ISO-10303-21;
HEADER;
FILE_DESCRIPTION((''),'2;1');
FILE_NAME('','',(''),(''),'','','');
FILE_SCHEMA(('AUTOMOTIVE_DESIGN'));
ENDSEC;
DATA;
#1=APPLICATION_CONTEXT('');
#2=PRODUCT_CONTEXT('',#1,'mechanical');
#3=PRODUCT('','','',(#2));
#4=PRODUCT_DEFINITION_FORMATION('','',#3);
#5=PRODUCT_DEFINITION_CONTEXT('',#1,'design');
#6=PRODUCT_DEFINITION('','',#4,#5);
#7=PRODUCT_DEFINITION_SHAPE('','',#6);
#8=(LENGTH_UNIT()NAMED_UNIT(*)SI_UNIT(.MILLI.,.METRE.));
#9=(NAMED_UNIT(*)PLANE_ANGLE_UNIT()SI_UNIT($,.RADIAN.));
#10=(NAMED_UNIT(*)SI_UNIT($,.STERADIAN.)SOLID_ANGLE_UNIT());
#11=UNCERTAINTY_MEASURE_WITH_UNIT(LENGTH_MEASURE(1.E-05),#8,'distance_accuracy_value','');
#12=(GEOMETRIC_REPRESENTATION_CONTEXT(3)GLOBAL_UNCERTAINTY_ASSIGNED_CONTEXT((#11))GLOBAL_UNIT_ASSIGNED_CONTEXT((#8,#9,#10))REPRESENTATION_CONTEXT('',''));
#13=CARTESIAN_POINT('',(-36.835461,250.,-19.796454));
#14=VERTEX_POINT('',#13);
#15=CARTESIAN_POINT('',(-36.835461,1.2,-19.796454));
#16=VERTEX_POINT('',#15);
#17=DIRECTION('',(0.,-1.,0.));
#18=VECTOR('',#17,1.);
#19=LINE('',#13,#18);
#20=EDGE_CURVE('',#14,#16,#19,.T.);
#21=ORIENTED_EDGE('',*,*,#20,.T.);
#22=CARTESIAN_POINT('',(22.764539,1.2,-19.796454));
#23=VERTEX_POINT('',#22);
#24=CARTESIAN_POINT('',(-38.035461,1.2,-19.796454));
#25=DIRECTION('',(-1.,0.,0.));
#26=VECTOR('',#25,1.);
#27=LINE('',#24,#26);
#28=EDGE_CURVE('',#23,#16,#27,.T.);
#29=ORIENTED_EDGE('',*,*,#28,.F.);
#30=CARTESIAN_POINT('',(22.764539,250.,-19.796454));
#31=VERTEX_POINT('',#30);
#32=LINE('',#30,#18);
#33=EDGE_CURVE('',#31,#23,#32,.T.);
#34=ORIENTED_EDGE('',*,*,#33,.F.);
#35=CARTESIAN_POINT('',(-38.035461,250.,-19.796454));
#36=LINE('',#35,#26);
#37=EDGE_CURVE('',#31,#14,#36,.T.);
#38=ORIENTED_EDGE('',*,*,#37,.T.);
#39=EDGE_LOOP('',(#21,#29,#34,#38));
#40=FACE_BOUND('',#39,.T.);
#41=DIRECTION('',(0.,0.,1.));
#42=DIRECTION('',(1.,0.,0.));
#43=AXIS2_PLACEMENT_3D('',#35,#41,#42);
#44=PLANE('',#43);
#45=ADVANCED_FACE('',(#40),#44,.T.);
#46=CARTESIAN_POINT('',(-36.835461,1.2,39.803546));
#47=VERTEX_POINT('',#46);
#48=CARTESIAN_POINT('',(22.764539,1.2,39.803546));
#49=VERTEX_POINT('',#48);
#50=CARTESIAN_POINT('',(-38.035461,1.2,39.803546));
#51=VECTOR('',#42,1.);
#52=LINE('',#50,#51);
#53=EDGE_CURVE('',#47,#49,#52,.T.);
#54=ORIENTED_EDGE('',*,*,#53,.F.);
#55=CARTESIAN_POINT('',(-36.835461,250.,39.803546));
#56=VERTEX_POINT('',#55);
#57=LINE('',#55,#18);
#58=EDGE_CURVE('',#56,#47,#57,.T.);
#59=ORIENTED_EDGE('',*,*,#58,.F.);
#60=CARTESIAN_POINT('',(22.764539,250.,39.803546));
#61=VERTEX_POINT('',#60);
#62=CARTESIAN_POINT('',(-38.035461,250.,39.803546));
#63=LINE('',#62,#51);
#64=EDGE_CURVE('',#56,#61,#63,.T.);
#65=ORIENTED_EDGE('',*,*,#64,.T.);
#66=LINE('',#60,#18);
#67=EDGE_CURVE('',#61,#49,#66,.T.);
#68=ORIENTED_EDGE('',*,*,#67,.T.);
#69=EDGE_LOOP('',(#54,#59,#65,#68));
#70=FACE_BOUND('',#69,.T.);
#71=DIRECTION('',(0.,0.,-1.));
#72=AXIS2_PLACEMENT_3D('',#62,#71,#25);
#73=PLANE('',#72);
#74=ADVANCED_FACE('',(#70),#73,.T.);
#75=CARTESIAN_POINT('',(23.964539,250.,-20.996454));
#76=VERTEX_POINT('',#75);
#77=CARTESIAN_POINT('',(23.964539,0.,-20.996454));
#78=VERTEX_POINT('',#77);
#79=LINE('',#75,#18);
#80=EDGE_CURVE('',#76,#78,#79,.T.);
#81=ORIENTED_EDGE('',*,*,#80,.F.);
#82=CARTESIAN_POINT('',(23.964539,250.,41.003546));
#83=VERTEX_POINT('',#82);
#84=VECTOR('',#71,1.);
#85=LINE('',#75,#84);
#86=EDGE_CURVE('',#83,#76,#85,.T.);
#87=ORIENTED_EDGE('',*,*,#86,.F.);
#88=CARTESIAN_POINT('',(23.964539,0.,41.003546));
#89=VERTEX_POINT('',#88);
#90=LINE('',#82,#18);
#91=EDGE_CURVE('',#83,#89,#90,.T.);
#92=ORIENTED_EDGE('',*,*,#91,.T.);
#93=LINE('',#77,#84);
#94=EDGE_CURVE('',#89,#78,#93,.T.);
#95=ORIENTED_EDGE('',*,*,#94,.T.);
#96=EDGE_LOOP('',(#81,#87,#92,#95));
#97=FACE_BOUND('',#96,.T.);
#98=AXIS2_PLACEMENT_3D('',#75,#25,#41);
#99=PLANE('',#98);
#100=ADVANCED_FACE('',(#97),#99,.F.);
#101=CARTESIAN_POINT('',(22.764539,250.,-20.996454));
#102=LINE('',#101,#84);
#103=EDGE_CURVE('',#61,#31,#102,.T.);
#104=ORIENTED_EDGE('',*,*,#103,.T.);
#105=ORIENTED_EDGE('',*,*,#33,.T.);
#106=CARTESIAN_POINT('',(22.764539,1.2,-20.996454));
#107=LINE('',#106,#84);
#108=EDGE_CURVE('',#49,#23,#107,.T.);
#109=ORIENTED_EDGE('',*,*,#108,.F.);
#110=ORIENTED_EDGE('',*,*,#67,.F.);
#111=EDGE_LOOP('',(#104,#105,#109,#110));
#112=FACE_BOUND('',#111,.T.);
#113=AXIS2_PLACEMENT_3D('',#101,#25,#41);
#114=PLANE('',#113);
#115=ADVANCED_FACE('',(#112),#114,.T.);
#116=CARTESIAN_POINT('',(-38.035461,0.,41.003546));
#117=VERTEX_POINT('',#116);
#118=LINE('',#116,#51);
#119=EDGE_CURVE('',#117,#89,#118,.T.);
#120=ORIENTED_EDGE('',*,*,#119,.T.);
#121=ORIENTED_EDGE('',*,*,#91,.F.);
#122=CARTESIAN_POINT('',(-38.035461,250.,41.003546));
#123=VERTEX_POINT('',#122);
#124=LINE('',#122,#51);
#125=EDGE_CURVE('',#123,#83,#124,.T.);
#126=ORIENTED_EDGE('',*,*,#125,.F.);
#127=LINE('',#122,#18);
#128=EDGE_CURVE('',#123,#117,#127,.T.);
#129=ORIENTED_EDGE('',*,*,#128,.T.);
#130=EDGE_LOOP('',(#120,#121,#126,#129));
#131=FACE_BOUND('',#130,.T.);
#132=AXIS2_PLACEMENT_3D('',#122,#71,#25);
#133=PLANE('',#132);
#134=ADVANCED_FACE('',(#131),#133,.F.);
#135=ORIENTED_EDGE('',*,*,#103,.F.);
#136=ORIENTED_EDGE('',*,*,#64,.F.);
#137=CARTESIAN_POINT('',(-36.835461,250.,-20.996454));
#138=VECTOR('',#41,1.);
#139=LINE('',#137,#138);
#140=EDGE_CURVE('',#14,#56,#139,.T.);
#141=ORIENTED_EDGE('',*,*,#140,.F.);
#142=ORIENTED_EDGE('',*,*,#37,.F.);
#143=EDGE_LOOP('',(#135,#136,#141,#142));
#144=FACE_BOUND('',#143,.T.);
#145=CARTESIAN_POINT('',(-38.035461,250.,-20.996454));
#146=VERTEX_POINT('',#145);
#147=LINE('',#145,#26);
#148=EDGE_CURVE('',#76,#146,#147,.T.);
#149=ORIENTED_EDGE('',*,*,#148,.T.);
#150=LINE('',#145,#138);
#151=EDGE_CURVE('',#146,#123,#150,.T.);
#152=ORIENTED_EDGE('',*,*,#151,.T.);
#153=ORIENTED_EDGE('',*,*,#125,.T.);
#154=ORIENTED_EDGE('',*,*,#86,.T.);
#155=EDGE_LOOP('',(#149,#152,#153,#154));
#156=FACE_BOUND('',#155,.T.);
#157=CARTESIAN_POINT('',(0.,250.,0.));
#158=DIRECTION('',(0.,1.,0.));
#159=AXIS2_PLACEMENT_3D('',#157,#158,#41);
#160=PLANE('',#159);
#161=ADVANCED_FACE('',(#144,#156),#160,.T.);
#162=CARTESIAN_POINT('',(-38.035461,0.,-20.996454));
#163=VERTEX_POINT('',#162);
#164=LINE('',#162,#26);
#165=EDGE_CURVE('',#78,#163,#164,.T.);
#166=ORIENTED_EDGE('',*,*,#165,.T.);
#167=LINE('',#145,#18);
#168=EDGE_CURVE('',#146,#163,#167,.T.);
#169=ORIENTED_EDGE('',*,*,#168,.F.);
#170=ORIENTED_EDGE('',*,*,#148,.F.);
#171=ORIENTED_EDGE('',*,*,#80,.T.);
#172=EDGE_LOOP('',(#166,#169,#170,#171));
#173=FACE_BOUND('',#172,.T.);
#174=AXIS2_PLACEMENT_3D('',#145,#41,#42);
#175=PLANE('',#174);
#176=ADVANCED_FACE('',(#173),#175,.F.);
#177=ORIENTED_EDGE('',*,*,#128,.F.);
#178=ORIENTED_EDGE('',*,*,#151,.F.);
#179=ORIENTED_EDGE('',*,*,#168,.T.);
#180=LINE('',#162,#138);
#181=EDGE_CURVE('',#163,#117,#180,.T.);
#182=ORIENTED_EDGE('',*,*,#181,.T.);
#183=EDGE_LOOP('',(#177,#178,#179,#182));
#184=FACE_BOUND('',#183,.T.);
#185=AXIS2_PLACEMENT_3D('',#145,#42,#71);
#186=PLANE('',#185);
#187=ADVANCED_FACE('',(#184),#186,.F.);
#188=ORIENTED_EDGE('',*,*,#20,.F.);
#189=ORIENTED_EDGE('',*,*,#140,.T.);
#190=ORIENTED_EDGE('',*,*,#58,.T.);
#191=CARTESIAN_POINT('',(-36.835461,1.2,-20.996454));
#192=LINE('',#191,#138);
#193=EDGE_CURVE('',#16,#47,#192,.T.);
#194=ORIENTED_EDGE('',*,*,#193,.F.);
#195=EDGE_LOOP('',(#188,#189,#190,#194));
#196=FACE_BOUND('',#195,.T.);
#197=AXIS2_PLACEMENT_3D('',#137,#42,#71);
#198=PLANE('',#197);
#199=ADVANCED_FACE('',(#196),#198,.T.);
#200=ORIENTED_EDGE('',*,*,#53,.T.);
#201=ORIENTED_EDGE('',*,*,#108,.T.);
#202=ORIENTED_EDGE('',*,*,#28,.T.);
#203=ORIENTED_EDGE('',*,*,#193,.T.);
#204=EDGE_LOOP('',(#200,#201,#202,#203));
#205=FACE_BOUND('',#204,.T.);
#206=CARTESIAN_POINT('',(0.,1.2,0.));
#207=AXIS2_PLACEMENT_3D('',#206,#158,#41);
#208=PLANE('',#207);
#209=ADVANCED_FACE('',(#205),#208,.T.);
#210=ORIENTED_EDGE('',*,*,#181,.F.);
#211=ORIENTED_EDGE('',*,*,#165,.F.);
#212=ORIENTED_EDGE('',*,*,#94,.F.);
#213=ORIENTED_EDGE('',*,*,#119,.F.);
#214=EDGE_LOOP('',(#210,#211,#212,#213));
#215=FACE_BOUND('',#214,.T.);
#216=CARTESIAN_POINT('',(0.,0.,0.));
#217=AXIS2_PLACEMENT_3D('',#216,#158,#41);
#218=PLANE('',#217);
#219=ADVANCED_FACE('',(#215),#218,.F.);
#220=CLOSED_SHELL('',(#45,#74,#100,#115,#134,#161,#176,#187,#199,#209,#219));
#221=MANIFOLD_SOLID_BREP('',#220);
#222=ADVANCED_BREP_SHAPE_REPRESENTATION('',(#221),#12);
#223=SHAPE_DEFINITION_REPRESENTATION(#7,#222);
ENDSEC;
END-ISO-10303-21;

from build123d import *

# Parameters (mm, degrees)
SKETCH2_W           = 62
SKETCH2_H           = 62
BOSS_EXTRUDE1_DEPTH = 250
SHELL1_T            = -1.2


with BuildPart() as part:
    # Sketch2 → Boss-Extrude1 (new body)
    with BuildSketch(Plane(origin=(0, 0, 0), x_dir=(1, 0, 0), z_dir=(0, 1, 0))):
        with Locations((-7.035460993, -10.003546099)):
            Rectangle(SKETCH2_W, SKETCH2_H)
    extrude(amount=BOSS_EXTRUDE1_DEPTH)

    # Shell1
    shell1_openings = [part.faces().sort_by_distance(p)[0] for p in [
        (-7.035460993, 250, 10.003546099),
    ]]
    offset(amount=SHELL1_T, openings=shell1_openings, kind=Kind.INTERSECTION)


solid = part.part
